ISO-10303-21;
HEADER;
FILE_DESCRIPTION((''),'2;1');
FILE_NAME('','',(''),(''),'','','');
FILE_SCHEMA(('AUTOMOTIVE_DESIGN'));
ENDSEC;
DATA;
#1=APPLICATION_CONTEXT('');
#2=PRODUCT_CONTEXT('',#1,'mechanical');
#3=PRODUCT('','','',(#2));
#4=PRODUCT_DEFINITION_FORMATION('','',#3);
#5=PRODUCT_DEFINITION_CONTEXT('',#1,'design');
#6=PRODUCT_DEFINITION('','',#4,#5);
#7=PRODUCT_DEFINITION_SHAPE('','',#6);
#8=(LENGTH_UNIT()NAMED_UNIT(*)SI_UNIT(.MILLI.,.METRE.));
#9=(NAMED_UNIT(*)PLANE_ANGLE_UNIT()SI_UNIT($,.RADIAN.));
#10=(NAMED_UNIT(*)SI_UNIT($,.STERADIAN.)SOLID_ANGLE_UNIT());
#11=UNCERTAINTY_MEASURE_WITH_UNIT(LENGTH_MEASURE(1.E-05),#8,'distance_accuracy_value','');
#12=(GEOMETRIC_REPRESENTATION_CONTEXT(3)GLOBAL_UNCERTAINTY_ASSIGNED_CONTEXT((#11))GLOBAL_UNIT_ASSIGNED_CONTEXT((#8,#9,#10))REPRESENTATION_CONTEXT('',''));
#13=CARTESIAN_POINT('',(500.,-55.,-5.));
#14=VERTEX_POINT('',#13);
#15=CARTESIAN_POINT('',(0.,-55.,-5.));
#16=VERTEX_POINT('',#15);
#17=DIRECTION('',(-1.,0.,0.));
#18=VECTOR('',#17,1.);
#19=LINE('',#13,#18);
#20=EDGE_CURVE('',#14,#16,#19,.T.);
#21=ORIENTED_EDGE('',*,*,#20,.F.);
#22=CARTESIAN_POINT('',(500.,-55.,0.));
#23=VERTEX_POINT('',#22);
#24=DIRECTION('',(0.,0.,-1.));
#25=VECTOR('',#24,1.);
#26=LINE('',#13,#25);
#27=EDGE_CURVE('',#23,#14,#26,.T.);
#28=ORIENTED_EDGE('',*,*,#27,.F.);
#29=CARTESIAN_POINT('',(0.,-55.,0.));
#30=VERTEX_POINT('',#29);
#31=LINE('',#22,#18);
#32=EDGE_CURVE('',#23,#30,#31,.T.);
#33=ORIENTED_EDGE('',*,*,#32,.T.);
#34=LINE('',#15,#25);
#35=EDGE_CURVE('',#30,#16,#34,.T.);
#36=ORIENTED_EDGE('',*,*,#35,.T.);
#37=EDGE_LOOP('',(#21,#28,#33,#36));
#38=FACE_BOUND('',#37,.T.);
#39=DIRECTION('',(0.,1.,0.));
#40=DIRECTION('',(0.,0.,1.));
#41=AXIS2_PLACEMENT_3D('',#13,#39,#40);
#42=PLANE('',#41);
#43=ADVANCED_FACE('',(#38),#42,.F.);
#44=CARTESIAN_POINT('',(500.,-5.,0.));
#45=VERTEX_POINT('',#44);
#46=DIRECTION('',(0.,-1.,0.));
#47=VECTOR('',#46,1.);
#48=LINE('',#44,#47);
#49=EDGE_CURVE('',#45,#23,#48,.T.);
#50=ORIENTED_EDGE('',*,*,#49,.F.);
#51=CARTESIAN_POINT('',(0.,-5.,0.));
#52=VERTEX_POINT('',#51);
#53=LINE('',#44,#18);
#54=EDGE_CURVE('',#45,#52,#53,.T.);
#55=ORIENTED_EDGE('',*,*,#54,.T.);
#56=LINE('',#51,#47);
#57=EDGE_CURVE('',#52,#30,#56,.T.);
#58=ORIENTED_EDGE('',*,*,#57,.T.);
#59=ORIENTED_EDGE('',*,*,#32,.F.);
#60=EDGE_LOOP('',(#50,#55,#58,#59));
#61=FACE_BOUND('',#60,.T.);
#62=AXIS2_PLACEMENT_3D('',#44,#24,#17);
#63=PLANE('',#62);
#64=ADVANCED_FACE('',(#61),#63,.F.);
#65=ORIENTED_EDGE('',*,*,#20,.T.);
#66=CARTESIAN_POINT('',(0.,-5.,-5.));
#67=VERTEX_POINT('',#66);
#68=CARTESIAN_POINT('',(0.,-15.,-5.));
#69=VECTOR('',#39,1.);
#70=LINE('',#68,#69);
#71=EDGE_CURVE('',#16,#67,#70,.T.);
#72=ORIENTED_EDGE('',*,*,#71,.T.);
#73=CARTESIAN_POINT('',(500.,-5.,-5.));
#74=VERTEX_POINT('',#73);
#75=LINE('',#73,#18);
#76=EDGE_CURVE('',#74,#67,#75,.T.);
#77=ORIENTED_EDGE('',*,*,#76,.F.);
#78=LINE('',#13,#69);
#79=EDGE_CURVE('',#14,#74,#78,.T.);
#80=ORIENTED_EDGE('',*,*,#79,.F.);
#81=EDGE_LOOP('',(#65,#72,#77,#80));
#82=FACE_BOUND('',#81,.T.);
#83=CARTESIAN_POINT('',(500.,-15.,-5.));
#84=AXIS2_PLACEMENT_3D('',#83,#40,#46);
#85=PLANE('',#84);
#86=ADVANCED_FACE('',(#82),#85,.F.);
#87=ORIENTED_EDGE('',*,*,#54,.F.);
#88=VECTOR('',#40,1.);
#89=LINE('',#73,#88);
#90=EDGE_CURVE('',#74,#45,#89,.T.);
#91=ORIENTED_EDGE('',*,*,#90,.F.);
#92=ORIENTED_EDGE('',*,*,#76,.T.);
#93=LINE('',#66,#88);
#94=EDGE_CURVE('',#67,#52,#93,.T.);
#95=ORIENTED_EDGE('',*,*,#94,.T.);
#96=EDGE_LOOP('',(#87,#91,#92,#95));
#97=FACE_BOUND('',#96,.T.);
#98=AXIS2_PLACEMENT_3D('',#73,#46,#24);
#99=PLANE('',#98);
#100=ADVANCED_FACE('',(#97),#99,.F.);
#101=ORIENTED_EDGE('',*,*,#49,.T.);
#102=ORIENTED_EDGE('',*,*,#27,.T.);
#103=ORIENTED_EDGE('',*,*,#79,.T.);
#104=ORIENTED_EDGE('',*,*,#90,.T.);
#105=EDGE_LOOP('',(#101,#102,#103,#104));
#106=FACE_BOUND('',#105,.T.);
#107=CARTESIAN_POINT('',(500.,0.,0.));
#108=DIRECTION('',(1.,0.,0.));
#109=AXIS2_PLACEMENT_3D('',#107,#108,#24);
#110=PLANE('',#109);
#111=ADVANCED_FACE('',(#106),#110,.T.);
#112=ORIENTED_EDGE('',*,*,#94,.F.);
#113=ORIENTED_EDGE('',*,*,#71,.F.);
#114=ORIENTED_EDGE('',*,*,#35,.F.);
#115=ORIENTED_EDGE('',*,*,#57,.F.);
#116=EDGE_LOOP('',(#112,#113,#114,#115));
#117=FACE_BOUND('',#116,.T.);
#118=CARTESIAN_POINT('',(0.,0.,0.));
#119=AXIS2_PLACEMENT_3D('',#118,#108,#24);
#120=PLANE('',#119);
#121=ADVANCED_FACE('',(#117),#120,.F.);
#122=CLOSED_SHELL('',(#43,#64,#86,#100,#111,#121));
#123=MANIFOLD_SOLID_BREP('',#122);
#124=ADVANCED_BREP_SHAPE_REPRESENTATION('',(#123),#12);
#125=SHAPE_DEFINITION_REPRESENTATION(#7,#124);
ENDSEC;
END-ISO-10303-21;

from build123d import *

# Parameters (mm, degrees)
BOSS_EXTRUDE1_DEPTH = 500


with BuildPart() as part:
    # Sketch1 → Boss-Extrude1 (new body)
    with BuildSketch(Plane(origin=(0, 0, 0), x_dir=(0, -1, 0), z_dir=(1, 0, 0))):
        Polygon((5, 0), (55, 0), (55, 5), (25, 5), (15, 5), (5, 5), align=None)
    extrude(amount=BOSS_EXTRUDE1_DEPTH)


solid = part.part
